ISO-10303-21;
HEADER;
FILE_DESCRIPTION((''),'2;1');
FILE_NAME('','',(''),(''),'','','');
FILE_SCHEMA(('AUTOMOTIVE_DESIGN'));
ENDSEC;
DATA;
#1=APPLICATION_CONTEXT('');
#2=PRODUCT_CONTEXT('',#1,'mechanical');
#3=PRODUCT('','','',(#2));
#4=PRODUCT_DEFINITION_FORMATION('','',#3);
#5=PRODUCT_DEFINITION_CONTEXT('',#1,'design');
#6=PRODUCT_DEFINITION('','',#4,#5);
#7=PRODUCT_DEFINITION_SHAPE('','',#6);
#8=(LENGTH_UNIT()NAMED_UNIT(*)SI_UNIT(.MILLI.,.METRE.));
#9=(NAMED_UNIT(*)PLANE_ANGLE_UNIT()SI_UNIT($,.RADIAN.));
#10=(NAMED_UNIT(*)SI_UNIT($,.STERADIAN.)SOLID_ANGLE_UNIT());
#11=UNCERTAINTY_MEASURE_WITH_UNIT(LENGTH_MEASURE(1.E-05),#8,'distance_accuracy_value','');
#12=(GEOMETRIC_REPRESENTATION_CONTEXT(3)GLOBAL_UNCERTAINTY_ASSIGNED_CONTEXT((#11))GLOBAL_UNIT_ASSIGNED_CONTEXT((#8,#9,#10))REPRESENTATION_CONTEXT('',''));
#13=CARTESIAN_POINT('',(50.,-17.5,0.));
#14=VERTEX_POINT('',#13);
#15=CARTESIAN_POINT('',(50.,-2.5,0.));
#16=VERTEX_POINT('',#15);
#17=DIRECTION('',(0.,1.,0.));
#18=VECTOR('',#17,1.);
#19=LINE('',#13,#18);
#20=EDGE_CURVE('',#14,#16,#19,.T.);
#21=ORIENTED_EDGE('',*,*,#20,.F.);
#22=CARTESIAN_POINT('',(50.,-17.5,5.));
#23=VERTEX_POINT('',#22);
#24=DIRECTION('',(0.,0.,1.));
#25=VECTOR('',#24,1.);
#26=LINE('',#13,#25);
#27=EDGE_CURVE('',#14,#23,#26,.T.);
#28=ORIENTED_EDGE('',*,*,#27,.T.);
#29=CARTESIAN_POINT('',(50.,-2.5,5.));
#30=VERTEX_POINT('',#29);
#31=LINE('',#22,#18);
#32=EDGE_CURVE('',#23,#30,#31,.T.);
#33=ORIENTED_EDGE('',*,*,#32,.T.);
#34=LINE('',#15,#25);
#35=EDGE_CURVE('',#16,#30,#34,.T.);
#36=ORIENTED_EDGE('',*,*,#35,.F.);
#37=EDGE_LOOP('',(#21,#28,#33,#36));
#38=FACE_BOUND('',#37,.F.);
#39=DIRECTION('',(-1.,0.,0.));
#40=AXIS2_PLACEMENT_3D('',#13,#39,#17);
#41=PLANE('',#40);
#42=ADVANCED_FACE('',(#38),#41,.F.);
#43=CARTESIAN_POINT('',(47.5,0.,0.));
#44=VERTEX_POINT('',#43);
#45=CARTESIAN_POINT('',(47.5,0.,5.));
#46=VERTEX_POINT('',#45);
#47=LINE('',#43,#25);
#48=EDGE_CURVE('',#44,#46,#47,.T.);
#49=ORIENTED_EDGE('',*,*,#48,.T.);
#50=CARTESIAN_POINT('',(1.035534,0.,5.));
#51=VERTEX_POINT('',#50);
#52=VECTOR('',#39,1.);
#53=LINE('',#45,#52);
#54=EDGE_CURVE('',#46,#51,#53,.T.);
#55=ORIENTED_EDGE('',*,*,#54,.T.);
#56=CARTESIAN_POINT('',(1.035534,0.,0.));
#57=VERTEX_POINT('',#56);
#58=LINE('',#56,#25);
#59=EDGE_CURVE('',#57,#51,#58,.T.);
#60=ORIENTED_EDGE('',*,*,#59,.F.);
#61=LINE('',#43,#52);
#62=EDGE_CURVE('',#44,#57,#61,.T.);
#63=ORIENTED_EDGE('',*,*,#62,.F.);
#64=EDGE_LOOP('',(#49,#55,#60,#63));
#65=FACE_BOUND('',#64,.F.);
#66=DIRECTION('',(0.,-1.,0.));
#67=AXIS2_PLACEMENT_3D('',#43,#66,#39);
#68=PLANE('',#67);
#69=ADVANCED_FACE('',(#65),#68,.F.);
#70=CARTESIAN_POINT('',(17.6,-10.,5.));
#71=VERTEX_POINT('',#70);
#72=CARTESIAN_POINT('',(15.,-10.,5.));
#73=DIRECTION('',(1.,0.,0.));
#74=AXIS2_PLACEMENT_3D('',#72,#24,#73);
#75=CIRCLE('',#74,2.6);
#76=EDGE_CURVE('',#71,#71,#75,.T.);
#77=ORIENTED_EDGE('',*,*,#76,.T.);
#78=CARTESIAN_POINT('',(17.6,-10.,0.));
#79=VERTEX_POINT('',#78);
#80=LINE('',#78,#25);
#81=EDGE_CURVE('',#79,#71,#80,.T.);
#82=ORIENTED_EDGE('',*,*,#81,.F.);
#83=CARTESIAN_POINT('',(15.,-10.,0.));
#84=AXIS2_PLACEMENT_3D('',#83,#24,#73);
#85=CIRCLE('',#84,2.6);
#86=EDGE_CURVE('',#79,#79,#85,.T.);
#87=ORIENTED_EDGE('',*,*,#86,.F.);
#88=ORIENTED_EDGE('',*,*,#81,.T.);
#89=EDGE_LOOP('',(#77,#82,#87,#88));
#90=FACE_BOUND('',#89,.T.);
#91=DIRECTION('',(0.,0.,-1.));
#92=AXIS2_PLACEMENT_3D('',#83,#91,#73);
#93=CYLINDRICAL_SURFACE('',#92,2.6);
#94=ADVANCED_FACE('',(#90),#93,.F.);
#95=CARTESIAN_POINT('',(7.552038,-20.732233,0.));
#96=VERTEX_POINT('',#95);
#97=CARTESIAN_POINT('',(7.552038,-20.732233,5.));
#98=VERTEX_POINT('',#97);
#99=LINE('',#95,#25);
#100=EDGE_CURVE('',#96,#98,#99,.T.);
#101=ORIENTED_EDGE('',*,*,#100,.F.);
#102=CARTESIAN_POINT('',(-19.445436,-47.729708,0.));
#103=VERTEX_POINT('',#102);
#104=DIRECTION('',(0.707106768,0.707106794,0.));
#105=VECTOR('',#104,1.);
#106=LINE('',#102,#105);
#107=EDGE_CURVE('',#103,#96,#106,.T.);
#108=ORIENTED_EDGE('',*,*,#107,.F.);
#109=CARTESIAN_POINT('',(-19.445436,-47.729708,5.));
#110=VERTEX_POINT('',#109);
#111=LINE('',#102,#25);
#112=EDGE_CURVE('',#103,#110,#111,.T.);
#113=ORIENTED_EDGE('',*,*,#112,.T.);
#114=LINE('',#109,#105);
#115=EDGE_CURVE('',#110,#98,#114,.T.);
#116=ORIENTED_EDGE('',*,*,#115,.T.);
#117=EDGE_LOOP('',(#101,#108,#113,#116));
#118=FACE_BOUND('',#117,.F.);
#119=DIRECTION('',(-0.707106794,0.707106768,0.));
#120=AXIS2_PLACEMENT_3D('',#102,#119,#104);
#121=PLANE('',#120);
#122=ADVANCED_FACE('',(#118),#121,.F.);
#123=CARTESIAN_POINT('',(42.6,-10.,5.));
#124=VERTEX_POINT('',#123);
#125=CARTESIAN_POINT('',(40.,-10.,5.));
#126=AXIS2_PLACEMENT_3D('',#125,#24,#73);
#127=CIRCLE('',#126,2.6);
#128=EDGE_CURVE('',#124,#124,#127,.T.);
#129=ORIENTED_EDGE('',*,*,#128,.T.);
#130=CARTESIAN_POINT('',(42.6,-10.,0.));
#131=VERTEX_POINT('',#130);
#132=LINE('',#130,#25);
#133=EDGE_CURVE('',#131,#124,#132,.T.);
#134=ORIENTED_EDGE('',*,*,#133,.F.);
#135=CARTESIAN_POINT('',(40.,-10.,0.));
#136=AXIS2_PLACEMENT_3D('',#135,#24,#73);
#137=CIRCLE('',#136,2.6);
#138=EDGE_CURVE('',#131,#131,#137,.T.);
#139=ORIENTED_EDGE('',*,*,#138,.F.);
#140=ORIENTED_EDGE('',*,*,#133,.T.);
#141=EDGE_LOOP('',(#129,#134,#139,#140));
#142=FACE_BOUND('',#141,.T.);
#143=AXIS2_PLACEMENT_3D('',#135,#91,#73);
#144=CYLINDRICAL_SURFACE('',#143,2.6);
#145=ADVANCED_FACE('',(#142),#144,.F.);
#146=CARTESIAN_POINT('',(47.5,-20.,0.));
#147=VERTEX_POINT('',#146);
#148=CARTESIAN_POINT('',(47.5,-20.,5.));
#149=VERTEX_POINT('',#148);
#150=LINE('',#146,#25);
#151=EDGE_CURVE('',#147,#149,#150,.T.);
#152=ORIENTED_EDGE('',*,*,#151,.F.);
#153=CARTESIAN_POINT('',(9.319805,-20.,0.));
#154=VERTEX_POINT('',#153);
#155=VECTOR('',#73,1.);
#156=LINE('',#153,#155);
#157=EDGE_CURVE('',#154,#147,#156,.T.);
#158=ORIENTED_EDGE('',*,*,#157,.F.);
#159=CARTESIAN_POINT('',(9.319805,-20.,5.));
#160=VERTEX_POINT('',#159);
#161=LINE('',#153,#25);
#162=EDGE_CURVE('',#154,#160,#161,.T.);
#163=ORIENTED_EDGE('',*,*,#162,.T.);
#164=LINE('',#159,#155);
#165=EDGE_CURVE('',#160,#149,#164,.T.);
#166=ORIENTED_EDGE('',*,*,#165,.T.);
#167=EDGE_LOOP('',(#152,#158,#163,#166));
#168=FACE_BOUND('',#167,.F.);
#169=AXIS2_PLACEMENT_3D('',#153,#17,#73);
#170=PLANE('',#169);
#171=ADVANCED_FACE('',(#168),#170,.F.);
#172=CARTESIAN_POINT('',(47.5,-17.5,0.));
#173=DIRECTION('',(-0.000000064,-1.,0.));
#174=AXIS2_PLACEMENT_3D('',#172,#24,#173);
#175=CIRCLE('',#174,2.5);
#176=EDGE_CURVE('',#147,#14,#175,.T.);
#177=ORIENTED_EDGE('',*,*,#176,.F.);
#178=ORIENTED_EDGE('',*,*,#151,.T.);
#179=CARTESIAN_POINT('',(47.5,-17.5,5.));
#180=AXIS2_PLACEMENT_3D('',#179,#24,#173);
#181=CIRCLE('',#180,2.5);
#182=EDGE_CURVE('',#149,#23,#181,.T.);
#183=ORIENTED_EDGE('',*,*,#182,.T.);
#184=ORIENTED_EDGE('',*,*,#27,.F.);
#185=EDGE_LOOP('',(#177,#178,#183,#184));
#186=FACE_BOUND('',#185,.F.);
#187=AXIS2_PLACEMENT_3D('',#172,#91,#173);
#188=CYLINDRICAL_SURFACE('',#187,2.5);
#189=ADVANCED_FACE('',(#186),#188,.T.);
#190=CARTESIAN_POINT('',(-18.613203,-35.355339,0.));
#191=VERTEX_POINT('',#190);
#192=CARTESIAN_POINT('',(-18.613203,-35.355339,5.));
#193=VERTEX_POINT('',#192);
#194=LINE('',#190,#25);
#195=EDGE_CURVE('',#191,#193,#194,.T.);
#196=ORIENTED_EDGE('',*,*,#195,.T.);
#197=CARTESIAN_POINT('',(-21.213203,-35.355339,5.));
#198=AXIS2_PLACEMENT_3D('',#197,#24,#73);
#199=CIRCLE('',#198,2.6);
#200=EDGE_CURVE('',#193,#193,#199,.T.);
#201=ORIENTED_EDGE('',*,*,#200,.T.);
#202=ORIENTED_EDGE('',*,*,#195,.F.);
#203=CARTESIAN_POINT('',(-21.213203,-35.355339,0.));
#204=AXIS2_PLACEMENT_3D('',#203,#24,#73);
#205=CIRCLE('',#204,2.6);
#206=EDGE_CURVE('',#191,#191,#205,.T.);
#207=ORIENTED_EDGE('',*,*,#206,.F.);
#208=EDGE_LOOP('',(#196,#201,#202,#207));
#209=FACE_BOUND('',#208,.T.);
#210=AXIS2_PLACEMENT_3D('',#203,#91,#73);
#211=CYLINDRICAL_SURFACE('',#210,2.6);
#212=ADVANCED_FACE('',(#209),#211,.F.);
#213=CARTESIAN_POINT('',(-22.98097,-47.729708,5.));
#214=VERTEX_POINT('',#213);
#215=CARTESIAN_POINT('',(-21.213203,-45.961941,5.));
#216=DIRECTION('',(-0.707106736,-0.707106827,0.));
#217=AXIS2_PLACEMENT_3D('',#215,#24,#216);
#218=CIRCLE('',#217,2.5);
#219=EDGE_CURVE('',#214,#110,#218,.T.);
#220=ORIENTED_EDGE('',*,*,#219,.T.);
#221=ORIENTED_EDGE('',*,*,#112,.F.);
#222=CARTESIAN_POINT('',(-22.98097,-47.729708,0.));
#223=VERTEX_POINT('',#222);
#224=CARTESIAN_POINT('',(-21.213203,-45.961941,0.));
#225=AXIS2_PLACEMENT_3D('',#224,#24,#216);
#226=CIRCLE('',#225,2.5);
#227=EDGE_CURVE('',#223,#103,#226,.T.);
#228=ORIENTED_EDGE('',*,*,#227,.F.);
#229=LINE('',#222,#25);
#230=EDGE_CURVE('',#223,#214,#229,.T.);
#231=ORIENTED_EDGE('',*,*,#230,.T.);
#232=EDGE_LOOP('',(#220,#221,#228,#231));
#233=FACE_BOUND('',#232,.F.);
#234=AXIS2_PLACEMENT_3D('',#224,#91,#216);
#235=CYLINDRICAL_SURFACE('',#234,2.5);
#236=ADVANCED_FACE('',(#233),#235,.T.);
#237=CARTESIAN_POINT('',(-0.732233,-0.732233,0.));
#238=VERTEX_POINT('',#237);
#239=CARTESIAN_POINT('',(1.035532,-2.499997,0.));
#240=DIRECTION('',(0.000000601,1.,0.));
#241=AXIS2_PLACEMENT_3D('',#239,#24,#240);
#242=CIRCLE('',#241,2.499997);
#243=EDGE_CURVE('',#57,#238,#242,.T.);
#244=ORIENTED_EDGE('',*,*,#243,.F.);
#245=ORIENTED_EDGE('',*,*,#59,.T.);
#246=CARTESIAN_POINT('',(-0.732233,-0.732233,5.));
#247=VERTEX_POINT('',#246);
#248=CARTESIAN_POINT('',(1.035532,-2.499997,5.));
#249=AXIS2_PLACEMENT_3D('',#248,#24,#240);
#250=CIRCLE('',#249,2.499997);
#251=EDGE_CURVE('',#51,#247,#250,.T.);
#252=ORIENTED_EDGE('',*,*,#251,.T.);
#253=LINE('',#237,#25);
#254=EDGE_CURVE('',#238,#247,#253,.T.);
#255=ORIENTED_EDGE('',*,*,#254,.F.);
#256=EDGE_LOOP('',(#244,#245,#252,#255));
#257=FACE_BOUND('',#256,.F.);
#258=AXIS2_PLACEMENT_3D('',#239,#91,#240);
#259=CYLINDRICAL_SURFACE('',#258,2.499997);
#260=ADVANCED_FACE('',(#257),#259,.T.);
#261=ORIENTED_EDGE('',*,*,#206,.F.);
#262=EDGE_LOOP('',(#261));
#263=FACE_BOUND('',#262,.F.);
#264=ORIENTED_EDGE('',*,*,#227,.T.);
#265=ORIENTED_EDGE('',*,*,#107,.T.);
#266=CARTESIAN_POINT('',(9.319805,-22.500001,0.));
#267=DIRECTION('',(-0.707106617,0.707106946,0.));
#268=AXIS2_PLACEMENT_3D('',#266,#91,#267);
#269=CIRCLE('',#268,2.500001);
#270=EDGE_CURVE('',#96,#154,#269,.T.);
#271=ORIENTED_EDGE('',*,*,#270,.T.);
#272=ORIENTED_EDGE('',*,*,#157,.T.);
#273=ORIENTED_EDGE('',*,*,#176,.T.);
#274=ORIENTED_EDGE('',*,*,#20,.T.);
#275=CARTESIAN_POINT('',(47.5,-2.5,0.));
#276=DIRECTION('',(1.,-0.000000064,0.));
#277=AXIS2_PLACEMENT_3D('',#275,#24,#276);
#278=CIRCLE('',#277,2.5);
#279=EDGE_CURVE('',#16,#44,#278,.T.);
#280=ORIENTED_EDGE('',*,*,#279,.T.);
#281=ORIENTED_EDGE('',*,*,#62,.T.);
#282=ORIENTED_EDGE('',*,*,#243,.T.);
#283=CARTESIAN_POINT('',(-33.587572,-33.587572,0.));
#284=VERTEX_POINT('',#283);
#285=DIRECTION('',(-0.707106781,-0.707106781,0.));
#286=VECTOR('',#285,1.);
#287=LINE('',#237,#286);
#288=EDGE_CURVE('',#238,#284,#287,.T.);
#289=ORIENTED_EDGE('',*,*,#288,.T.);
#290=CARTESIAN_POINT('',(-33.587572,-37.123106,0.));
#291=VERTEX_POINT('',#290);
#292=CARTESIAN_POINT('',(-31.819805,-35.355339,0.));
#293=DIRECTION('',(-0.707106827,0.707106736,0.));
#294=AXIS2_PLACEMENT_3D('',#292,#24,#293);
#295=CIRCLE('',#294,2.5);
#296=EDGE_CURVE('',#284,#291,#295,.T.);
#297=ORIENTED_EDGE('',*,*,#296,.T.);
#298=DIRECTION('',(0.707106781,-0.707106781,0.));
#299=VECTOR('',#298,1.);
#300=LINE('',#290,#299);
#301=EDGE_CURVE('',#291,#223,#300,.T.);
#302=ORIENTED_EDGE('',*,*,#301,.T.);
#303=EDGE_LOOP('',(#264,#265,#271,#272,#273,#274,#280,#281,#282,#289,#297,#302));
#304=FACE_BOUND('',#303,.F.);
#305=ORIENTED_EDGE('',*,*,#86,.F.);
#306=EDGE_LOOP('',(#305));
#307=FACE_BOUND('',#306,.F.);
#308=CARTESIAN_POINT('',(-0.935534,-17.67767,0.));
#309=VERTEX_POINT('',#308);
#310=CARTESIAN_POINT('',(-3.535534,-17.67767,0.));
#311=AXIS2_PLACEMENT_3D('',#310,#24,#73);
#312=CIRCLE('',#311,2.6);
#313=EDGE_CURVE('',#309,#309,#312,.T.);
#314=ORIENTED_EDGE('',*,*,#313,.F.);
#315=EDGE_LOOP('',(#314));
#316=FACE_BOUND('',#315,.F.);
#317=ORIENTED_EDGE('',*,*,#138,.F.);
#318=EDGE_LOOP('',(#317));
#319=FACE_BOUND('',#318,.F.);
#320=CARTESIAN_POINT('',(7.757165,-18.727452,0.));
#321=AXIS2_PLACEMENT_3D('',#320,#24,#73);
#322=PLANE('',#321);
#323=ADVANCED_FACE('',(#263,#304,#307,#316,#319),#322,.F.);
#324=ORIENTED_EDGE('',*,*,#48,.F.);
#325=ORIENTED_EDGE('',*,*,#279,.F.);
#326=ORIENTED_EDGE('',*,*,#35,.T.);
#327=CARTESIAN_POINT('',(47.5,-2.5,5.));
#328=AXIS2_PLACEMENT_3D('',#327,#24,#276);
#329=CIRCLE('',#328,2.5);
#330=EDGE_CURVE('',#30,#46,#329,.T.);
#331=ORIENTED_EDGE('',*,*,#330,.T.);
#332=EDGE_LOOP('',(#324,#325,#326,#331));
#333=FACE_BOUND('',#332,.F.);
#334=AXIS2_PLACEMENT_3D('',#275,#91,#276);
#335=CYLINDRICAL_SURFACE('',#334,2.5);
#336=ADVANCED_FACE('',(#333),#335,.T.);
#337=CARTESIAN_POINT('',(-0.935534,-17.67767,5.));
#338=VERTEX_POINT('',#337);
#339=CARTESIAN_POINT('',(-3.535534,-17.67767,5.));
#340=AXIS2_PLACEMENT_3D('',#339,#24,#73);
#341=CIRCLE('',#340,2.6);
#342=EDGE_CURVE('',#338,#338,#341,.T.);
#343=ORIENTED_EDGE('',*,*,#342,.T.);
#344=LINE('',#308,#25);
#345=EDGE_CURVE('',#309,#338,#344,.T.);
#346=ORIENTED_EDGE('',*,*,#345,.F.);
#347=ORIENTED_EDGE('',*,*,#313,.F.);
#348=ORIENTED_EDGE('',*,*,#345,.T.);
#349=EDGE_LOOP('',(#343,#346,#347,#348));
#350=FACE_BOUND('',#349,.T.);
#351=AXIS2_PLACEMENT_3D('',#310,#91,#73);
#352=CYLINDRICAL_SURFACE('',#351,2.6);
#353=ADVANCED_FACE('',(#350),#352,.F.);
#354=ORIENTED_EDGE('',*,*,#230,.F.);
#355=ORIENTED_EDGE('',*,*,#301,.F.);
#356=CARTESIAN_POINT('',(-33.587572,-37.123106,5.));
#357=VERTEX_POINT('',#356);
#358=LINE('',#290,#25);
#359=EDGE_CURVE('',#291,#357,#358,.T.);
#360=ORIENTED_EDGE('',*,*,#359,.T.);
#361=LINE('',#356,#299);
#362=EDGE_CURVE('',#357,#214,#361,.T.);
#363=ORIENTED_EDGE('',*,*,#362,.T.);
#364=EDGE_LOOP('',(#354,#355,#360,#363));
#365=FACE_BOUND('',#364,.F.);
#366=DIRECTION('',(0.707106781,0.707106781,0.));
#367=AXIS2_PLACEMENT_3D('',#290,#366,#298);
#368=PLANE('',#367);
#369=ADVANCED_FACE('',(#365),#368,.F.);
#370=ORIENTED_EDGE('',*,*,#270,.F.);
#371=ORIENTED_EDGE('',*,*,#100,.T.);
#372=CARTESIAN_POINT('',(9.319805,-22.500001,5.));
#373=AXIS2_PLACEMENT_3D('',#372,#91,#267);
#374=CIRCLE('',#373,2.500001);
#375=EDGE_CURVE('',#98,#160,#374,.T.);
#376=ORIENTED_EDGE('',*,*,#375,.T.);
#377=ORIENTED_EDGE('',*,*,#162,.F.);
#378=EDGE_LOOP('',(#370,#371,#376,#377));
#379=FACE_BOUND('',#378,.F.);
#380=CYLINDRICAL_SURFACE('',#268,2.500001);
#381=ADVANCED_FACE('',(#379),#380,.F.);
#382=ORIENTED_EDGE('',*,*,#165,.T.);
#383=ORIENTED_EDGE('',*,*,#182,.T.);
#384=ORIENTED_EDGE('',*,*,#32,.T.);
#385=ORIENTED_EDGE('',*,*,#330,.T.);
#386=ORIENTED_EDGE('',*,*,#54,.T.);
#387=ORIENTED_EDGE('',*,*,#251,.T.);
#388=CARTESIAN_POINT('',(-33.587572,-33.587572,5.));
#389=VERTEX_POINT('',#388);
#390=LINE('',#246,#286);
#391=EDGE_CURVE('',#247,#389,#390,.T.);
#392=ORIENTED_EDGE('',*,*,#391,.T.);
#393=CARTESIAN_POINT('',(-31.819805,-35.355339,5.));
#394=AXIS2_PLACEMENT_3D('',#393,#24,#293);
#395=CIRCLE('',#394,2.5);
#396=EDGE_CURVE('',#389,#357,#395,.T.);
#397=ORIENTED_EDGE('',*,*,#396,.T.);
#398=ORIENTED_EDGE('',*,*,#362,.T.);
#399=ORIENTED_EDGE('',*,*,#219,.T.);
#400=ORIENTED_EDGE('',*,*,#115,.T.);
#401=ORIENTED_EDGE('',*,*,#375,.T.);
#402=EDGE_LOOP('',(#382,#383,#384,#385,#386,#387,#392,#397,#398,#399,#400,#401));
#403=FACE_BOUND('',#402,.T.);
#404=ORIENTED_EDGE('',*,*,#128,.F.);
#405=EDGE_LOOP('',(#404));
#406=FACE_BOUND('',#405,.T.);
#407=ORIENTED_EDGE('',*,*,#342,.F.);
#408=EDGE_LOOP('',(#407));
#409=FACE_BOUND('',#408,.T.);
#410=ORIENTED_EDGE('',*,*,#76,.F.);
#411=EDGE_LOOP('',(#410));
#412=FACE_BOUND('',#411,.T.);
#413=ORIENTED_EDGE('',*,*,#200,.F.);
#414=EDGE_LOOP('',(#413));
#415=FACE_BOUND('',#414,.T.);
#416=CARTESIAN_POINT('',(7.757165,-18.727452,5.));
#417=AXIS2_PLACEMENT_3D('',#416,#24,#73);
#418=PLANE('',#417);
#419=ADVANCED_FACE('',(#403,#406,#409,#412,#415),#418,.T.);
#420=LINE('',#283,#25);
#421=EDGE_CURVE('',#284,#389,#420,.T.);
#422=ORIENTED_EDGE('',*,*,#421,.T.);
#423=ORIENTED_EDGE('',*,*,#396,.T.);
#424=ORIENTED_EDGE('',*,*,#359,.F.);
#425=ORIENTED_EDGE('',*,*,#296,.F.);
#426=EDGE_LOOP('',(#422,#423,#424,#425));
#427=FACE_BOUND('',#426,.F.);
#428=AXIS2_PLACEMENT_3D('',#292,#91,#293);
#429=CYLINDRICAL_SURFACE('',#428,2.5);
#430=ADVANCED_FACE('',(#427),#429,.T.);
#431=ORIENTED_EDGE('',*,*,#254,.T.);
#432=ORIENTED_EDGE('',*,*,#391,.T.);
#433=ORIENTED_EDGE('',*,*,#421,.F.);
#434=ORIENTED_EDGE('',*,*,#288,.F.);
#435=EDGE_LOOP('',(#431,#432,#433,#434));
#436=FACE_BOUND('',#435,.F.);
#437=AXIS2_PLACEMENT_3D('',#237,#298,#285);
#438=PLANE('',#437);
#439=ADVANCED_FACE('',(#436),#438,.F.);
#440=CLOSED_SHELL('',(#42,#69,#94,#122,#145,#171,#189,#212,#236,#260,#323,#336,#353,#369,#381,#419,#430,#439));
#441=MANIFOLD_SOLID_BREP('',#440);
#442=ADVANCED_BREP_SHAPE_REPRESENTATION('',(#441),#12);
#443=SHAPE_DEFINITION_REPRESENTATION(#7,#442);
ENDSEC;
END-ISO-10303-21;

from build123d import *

# Parameters (mm, degrees)
F0_R     = 2.6
F1_DEPTH = 5


with BuildPart() as f1:
    # F0 (on Top) → F1 (new body)
    with BuildSketch(Plane.XY):
        with BuildLine():
            Line((47.5, 0), (1.035534, 0))
            ThreePointArc((1.035534, 0), (0.078825, -0.190301), (-0.732233, -0.732233))
            Line((-0.732233, -0.732233), (-33.587572, -33.587572))
            ThreePointArc((-33.587572, -33.587572), (-34.319805, -35.355339), (-33.587572, -37.123106))
            Line((-33.587572, -37.123106), (-22.98097, -47.729708))
            ThreePointArc((-22.98097, -47.729708), (-21.213203, -48.461941), (-19.445436, -47.729708))
            Line((-19.445436, -47.729708), (7.552038, -20.732233))
            ThreePointArc((7.552038, -20.732233), (8.363097, -20.190301), (9.319805, -20))
            Line((9.319805, -20), (47.5, -20))
            ThreePointArc((47.5, -20), (49.267767, -19.267767), (50, -17.5))
            Line((50, -17.5), (50, -2.5))
            ThreePointArc((50, -2.5), (49.267767, -0.732233), (47.5, 0))
        make_face()
        with Locations((-21.213203, -35.355339)):
            Circle(F0_R, mode=Mode.SUBTRACT)
        with Locations((-3.535534, -17.67767)):
            Circle(F0_R, mode=Mode.SUBTRACT)
        with Locations((15, -10)):
            Circle(F0_R, mode=Mode.SUBTRACT)
        with Locations((40, -10)):
            Circle(F0_R, mode=Mode.SUBTRACT)
    extrude(amount=F1_DEPTH)


solid = f1.part
